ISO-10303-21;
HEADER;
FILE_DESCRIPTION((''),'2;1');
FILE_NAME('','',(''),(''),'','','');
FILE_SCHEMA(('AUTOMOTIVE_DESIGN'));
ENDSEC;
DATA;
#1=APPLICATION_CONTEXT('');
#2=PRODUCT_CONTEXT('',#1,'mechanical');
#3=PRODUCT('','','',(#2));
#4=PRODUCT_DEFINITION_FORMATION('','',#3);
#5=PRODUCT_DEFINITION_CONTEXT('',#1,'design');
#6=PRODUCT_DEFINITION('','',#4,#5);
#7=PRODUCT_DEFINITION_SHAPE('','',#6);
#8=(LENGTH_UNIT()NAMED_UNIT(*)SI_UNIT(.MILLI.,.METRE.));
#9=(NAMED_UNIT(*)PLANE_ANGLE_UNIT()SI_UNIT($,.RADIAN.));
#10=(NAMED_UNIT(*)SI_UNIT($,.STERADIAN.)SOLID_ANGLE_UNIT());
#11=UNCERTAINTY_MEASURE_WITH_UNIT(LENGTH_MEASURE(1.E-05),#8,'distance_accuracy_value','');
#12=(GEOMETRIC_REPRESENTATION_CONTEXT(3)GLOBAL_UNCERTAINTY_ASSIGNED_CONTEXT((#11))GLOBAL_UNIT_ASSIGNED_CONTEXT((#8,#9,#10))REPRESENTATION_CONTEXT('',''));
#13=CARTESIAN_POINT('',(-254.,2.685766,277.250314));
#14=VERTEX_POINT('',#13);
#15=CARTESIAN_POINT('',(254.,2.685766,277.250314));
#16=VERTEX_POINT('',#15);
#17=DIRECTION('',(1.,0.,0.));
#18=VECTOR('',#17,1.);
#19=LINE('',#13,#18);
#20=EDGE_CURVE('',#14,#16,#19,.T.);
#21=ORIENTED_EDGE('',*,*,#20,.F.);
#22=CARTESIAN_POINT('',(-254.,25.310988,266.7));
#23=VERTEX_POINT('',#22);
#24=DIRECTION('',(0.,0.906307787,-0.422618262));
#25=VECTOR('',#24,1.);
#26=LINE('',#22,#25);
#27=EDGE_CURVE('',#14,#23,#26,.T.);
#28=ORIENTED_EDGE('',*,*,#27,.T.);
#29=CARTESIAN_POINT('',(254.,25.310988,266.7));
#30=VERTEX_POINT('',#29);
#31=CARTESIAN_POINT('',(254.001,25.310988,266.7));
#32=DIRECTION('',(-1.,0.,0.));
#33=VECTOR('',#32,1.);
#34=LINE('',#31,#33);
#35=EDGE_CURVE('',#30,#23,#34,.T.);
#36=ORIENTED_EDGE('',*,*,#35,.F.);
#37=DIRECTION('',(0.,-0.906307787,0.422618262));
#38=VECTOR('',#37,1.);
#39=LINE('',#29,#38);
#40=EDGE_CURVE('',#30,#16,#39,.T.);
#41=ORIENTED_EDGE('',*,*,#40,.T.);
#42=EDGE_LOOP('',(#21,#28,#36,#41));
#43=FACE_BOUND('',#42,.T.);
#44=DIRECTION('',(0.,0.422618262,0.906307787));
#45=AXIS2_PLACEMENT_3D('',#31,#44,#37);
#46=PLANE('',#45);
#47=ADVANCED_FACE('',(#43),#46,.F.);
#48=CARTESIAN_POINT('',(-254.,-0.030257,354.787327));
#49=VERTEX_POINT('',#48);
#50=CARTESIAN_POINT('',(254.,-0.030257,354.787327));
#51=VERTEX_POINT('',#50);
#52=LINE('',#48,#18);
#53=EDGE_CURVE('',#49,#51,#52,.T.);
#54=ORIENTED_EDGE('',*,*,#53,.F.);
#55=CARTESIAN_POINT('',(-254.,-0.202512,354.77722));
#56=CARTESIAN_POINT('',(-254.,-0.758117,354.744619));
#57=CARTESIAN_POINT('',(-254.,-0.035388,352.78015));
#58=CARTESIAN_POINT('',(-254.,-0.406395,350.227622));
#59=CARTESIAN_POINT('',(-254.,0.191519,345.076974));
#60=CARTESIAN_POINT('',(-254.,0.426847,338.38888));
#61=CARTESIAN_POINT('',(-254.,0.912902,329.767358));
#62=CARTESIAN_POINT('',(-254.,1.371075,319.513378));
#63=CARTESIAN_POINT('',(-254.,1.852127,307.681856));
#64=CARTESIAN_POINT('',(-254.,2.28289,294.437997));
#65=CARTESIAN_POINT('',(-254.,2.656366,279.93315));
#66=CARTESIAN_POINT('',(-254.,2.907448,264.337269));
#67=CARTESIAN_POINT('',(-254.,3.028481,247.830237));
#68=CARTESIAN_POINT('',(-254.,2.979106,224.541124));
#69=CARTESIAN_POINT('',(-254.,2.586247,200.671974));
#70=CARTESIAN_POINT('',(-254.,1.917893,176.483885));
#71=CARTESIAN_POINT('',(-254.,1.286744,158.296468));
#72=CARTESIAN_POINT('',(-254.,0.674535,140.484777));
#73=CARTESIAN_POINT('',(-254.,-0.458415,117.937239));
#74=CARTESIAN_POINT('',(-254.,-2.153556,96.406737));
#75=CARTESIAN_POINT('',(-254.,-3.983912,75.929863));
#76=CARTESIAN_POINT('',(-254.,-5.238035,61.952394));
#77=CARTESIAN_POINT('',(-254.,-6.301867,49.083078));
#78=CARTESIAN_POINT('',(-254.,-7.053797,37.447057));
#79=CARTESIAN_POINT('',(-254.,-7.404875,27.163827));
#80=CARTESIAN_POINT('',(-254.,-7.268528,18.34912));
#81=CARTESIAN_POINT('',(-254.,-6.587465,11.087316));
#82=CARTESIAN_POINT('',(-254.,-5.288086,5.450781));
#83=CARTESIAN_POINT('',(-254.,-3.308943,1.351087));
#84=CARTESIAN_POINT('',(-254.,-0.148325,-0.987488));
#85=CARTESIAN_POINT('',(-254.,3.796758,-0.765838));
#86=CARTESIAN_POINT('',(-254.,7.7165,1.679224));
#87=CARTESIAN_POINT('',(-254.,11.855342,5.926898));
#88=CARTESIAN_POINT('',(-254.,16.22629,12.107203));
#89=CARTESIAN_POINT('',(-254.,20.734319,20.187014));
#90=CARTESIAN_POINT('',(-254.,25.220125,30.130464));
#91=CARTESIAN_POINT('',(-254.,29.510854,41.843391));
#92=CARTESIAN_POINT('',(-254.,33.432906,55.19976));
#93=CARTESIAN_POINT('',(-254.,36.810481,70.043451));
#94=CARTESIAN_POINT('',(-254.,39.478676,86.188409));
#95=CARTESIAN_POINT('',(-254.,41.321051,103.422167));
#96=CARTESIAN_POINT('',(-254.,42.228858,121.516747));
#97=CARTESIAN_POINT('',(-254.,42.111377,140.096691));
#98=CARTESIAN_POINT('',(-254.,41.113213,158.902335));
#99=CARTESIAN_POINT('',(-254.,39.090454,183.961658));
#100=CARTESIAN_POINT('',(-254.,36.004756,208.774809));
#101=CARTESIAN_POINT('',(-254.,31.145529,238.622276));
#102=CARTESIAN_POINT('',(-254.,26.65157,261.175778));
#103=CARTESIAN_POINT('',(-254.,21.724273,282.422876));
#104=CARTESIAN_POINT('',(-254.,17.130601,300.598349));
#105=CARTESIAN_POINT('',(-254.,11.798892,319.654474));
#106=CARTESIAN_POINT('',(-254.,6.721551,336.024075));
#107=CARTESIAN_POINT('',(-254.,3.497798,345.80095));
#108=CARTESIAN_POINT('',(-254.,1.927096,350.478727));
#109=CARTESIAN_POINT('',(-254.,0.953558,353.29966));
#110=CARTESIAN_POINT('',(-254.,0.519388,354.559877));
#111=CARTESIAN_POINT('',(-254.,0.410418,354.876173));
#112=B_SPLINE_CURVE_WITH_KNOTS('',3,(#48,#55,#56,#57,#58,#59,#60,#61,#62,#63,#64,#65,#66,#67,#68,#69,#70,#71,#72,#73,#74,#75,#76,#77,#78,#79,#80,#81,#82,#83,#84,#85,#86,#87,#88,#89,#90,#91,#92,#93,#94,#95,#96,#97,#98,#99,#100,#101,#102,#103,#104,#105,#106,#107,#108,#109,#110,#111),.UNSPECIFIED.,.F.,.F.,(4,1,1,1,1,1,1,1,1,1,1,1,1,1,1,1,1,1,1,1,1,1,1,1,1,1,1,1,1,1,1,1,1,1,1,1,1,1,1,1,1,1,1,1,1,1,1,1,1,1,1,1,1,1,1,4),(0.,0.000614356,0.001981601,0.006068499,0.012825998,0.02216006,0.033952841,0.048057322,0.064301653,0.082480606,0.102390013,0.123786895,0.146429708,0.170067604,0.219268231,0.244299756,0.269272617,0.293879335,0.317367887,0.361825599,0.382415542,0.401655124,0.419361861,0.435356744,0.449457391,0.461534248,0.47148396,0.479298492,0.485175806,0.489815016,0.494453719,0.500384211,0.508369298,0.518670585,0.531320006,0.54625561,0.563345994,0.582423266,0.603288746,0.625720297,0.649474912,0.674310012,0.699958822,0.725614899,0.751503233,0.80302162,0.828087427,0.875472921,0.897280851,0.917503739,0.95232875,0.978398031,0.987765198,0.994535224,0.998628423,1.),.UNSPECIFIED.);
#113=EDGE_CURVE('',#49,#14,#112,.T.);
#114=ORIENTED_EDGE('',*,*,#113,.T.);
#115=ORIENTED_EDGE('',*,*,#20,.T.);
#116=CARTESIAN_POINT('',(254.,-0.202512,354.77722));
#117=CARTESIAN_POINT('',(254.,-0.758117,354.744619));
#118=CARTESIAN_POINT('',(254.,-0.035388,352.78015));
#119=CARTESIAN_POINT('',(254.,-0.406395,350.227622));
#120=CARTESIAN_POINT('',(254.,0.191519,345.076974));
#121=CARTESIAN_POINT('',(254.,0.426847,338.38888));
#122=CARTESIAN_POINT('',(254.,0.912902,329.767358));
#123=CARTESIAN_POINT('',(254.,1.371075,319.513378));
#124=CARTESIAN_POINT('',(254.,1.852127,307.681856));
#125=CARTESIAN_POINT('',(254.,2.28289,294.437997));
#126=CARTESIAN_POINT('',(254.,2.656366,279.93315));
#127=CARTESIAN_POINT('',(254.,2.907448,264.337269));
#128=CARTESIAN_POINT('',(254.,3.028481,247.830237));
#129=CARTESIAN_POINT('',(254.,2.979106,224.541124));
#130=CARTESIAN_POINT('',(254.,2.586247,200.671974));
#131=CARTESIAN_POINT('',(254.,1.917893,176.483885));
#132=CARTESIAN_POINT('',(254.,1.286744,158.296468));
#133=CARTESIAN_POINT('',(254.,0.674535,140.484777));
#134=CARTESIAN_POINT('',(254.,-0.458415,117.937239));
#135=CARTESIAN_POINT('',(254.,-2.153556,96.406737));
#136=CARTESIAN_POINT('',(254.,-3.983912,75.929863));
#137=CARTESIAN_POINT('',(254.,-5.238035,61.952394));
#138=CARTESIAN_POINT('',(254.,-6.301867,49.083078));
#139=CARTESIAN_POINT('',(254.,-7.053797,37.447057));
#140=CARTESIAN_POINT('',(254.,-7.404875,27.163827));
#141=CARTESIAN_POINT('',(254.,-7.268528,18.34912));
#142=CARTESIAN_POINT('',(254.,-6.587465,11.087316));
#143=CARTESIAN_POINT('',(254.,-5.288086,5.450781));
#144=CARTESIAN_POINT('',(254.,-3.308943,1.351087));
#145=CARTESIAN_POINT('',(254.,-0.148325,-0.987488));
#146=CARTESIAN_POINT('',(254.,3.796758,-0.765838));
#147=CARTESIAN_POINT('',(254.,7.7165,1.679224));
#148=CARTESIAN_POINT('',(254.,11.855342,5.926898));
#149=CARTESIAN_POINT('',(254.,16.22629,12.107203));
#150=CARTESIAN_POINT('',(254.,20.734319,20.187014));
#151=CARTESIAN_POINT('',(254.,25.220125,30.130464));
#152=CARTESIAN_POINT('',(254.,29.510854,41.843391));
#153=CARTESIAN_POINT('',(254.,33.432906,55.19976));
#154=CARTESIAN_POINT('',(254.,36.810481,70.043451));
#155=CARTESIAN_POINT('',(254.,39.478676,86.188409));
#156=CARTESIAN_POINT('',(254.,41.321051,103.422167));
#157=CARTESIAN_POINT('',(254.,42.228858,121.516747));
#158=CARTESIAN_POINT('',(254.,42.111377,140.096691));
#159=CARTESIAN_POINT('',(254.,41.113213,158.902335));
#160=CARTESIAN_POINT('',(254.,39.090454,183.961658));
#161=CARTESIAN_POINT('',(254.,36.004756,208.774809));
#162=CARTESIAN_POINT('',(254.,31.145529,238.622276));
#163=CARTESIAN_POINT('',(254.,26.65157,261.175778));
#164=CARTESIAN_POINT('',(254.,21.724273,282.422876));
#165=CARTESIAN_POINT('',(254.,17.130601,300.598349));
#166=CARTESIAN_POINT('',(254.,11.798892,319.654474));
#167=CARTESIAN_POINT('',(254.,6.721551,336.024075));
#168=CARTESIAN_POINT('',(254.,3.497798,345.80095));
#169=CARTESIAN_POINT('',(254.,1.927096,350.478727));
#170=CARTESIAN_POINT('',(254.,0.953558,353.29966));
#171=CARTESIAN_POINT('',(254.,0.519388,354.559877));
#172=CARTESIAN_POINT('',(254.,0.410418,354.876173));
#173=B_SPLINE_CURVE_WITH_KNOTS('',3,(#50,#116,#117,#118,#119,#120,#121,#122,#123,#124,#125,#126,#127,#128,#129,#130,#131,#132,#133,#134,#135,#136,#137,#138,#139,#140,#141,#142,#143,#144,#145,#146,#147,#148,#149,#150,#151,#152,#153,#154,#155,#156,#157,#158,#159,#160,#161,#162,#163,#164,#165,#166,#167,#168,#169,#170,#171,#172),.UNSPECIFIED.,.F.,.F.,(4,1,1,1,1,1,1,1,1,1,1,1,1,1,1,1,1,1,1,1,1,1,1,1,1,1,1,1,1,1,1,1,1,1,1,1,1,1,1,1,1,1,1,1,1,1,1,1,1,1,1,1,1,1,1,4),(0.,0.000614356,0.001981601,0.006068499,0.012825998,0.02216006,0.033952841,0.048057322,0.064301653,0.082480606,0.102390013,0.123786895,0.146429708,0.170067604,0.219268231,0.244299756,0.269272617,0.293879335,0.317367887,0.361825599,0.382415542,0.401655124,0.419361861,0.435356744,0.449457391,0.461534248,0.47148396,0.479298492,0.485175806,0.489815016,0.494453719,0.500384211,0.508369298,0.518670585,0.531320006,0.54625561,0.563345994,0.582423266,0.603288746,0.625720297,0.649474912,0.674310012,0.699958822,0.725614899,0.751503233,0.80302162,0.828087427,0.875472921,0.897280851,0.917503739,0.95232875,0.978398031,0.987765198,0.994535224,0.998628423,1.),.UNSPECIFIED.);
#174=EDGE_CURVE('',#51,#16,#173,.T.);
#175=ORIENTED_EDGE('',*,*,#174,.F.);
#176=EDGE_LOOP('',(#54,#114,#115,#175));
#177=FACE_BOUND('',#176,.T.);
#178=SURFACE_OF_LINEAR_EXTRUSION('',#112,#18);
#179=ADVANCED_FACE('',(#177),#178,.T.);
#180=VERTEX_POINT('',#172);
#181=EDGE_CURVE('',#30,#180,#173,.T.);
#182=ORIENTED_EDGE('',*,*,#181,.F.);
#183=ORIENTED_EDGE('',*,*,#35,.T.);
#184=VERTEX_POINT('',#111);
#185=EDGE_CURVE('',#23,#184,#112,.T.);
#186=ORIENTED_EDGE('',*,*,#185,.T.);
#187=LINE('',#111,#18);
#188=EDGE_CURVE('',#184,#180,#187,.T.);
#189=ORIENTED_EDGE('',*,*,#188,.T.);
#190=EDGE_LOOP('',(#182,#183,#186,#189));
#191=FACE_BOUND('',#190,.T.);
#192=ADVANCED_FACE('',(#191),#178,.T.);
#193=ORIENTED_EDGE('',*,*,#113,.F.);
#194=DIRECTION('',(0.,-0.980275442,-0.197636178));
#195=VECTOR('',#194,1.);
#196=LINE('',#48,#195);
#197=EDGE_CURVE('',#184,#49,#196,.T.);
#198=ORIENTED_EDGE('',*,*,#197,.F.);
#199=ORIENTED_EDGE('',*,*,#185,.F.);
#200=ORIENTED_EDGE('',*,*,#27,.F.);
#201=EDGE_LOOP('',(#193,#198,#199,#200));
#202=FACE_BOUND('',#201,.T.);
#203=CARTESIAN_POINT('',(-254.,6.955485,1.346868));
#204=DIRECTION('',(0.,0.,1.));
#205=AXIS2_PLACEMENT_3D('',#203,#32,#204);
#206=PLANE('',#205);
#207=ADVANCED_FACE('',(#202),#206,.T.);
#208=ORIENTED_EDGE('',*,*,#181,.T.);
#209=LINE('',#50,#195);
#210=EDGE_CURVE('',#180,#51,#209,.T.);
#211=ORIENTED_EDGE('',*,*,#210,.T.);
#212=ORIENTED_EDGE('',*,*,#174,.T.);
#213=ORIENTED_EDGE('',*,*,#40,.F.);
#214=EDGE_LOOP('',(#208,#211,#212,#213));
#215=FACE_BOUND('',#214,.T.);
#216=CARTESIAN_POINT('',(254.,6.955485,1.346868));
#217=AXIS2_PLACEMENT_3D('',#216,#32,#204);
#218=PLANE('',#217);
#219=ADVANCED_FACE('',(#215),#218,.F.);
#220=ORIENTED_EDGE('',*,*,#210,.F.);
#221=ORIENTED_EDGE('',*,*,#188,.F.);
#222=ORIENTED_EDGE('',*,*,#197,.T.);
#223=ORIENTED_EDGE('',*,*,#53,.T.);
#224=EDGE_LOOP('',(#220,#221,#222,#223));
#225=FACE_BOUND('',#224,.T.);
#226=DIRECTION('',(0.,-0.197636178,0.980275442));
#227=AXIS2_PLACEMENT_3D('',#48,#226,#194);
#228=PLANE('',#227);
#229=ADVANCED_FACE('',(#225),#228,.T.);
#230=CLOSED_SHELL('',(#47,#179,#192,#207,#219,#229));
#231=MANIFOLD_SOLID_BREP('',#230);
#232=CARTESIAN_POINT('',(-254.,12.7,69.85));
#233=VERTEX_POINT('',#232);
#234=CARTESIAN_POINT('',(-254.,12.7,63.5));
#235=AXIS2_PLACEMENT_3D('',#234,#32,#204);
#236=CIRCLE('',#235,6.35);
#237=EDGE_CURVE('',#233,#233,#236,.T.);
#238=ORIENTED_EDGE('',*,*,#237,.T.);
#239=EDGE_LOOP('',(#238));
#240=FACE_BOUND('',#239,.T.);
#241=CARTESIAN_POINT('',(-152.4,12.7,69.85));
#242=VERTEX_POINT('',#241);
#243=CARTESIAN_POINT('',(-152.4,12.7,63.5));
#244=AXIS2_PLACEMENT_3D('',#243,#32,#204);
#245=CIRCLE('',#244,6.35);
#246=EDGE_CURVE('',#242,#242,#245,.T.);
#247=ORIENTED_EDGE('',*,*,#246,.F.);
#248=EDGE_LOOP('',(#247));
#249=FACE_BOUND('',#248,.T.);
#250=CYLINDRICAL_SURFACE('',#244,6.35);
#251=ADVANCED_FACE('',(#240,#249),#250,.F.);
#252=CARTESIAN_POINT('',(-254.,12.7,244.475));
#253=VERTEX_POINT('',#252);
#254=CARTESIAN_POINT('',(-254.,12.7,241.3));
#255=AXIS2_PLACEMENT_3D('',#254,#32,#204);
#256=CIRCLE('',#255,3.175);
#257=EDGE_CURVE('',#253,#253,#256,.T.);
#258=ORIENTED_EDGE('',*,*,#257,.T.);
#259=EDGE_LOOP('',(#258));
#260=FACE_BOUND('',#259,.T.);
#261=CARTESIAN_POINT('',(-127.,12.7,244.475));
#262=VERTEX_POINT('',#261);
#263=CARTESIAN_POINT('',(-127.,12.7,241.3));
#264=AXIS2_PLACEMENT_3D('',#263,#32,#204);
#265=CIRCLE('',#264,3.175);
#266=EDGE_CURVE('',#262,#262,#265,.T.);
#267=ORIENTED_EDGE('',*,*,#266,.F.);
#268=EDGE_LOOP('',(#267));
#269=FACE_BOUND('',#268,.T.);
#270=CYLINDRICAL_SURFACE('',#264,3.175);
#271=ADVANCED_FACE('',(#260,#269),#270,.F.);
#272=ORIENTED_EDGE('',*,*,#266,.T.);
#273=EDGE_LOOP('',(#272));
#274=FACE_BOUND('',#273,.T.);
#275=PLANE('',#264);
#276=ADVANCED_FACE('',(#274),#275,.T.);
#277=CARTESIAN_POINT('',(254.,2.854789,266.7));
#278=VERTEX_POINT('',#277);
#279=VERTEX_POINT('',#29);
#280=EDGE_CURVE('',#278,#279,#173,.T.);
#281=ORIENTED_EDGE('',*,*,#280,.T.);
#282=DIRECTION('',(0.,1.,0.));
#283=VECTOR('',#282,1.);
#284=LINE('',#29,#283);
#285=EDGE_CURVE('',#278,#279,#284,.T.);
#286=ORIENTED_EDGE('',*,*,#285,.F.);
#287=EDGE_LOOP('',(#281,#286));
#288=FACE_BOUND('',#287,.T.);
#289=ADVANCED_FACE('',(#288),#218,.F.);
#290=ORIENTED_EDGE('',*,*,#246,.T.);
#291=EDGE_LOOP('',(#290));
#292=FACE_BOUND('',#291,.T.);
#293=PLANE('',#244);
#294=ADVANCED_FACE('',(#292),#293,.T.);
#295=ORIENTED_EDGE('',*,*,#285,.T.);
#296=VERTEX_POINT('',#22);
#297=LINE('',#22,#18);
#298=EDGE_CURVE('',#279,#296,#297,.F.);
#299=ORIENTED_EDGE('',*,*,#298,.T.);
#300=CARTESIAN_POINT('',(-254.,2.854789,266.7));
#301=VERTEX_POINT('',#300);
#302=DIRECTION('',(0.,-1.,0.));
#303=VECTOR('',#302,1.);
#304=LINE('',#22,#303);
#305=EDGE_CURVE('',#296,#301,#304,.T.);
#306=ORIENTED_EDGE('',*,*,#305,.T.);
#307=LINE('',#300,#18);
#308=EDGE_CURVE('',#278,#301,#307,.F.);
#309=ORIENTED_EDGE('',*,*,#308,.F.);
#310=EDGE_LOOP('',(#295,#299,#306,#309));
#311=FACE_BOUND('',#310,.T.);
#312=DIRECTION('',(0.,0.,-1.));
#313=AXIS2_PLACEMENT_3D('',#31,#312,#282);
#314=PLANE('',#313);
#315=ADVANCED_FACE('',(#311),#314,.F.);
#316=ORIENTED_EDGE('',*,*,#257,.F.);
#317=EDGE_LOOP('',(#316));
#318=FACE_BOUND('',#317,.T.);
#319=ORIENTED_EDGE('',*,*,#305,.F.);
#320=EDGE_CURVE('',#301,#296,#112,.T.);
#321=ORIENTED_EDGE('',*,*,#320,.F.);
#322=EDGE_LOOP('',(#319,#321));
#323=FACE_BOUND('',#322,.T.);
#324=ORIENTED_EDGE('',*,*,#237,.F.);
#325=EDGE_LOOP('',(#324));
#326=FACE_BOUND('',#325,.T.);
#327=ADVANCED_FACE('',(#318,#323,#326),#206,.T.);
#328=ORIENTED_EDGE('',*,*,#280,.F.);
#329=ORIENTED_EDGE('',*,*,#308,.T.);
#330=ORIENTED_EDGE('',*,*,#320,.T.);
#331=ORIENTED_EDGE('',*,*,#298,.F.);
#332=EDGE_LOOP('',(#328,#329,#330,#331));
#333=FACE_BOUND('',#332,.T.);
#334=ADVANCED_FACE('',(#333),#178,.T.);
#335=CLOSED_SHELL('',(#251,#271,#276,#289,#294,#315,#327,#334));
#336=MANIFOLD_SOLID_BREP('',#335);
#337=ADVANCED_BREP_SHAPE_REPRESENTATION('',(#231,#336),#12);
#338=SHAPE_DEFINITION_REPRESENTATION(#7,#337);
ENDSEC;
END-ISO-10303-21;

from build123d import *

# Parameters (mm, degrees)
BOSS_EXTRUDE1_DEPTH      = 254
BOSS_EXTRUDE1_DEPTH_BACK = 254
CUT_EXTRUDE1_REACH       = 623.109
SKETCH3_R                = 6.35
CUT_EXTRUDE2_DEPTH       = 101.6
SKETCH4_R                = 3.175
CUT_EXTRUDE3_DEPTH       = 127


with BuildPart() as part:
    # Sketch1 → Boss-Extrude1 (new, two sides: drawn at the far end of the back side and taken through both)
    with BuildSketch(Plane(origin=(0, 0, 0), x_dir=(0, 0, -1), z_dir=(1, 0, 0)).offset(-BOSS_EXTRUDE1_DEPTH_BACK)):
        with BuildLine():
            Line((-354.787327228, -0.030257196), (-354.876173011, 0.410417887))
            add(Edge.make_bspline(
                [(-354.876173011, 0.410417887), (-354.559877309, 0.519388), (-353.29965963, 0.95355787), (-350.47872665, 1.927095868), (-345.800950265, 3.497798274), (-336.024074692, 6.721551148), (-319.654473712, 11.798891927), (-300.598349456, 17.130600639), (-282.422876264, 21.724272526), (-261.175777938, 26.651569731), (-238.622276389, 31.145528798), (-208.774809213, 36.004755717), (-183.96165787, 39.090454058), (-158.902335219, 41.113212891), (-140.096691022, 42.111376668), (-121.516747473, 42.228858195), (-103.422167262, 41.321050632), (-86.188408528, 39.478676181), (-70.043450957, 36.810480574), (-55.199760436, 33.432905997), (-41.843390777, 29.510854383), (-30.130463623, 25.220125297), (-20.187014188, 20.73431935), (-12.107203154, 16.226289935), (-5.926897661, 11.855341958), (-1.679224073, 7.716499794), (0.765838065, 3.796757813), (0.987487677, -0.148325216), (-1.35108726, -3.308943186), (-5.450780885, -5.288085739), (-11.087315968, -6.587464624), (-18.34911979, -7.268527656), (-27.163826626, -7.404874951), (-37.447057223, -7.053797092), (-49.083078017, -6.301866785), (-61.95239395, -5.238034817), (-75.929862643, -3.983911698), (-96.406736552, -2.153555858), (-117.937239158, -0.458414508), (-140.484776897, 0.674535203), (-158.296467959, 1.286744043), (-176.48388462, 1.917893193), (-200.671973719, 2.586246563), (-224.541124114, 2.979106232), (-247.830237405, 3.028480659), (-264.337268621, 2.907447598), (-279.933149694, 2.656365926), (-294.437996632, 2.282890374), (-307.681856469, 1.852126627), (-319.513378006, 1.371074809), (-329.767358246, 0.912902227), (-338.388880463, 0.426846955), (-345.076973543, 0.191518705), (-350.227621538, -0.406394891), (-352.780150329, -0.035387827), (-354.744619464, -0.75811662), (-354.777220059, -0.20251155), (-354.787327228, -0.030257196)],
                knots=[0, 0, 0, 0, 0.001371577, 0.005464776, 0.012234802, 0.021601969, 0.04767125, 0.082496261, 0.102719149, 0.124527079, 0.171912573, 0.19697838, 0.248496767, 0.274385101, 0.300041178, 0.325689988, 0.350525088, 0.374279703, 0.396711254, 0.417576734, 0.436654006, 0.45374439, 0.468679994, 0.481329415, 0.491630702, 0.499615789, 0.505546281, 0.510184984, 0.514824194, 0.520701508, 0.52851604, 0.538465752, 0.550542609, 0.564643256, 0.580638139, 0.598344876, 0.617584458, 0.638174401, 0.682632113, 0.706120665, 0.730727383, 0.755700244, 0.780731769, 0.829932396, 0.853570292, 0.876213105, 0.897609987, 0.917519394, 0.935698347, 0.951942678, 0.966047159, 0.97783994, 0.987174002, 0.993931501, 0.998018399, 0.999385644, 1, 1, 1, 1], degree=3))
        make_face()
    extrude(amount=BOSS_EXTRUDE1_DEPTH + BOSS_EXTRUDE1_DEPTH_BACK)

    # Sketch2 → Cut-Extrude1 (cut, up to next)
    with BuildSketch(Plane.ZY.offset(254), mode=Mode.PRIVATE) as cut_extrude1_sk1:
        Polygon((266.7, 25.310988042), (266.7, 2.06571301), (277.539449763, 2.06571301), align=None)
    cut_extrude1_tool1 = extrude(cut_extrude1_sk1.sketch, amount=-CUT_EXTRUDE1_REACH, mode=Mode.PRIVATE) & part.part
    add(cut_extrude1_tool1.solids().sort_by_distance((-254, 9.814138, 270.31315))[0], mode=Mode.SUBTRACT)


with BuildPart() as cut_extrude1_piece_1:
    # of the separate pieces the step leaves, piece 1, a body of its own (cut_extrude1_pieces)
    add(part.part.solids().sort_by_distance((0, 2.854788865, 266.7))[0])

    # Sketch3 → Cut-Extrude2 (cut)
    with BuildSketch(Plane.ZY.offset(254)):
        with Locations((63.5, 12.7)):
            Circle(SKETCH3_R)
    extrude(amount=-CUT_EXTRUDE2_DEPTH, mode=Mode.SUBTRACT)

    # Sketch4 → Cut-Extrude3 (cut)
    with BuildSketch(Plane.ZY.offset(254)):
        with Locations((241.3, 12.7)):
            Circle(SKETCH4_R)
    extrude(amount=-CUT_EXTRUDE3_DEPTH, mode=Mode.SUBTRACT)


with BuildPart() as cut_extrude1_piece_2:
    # of the separate pieces the step leaves, piece 2, a body of its own (cut_extrude1_pieces)
    add(part.part.solids().sort_by_distance((0, -0.030257196, 354.787327228))[0])


solid = Compound([cut_extrude1_piece_1.part, cut_extrude1_piece_2.part])
